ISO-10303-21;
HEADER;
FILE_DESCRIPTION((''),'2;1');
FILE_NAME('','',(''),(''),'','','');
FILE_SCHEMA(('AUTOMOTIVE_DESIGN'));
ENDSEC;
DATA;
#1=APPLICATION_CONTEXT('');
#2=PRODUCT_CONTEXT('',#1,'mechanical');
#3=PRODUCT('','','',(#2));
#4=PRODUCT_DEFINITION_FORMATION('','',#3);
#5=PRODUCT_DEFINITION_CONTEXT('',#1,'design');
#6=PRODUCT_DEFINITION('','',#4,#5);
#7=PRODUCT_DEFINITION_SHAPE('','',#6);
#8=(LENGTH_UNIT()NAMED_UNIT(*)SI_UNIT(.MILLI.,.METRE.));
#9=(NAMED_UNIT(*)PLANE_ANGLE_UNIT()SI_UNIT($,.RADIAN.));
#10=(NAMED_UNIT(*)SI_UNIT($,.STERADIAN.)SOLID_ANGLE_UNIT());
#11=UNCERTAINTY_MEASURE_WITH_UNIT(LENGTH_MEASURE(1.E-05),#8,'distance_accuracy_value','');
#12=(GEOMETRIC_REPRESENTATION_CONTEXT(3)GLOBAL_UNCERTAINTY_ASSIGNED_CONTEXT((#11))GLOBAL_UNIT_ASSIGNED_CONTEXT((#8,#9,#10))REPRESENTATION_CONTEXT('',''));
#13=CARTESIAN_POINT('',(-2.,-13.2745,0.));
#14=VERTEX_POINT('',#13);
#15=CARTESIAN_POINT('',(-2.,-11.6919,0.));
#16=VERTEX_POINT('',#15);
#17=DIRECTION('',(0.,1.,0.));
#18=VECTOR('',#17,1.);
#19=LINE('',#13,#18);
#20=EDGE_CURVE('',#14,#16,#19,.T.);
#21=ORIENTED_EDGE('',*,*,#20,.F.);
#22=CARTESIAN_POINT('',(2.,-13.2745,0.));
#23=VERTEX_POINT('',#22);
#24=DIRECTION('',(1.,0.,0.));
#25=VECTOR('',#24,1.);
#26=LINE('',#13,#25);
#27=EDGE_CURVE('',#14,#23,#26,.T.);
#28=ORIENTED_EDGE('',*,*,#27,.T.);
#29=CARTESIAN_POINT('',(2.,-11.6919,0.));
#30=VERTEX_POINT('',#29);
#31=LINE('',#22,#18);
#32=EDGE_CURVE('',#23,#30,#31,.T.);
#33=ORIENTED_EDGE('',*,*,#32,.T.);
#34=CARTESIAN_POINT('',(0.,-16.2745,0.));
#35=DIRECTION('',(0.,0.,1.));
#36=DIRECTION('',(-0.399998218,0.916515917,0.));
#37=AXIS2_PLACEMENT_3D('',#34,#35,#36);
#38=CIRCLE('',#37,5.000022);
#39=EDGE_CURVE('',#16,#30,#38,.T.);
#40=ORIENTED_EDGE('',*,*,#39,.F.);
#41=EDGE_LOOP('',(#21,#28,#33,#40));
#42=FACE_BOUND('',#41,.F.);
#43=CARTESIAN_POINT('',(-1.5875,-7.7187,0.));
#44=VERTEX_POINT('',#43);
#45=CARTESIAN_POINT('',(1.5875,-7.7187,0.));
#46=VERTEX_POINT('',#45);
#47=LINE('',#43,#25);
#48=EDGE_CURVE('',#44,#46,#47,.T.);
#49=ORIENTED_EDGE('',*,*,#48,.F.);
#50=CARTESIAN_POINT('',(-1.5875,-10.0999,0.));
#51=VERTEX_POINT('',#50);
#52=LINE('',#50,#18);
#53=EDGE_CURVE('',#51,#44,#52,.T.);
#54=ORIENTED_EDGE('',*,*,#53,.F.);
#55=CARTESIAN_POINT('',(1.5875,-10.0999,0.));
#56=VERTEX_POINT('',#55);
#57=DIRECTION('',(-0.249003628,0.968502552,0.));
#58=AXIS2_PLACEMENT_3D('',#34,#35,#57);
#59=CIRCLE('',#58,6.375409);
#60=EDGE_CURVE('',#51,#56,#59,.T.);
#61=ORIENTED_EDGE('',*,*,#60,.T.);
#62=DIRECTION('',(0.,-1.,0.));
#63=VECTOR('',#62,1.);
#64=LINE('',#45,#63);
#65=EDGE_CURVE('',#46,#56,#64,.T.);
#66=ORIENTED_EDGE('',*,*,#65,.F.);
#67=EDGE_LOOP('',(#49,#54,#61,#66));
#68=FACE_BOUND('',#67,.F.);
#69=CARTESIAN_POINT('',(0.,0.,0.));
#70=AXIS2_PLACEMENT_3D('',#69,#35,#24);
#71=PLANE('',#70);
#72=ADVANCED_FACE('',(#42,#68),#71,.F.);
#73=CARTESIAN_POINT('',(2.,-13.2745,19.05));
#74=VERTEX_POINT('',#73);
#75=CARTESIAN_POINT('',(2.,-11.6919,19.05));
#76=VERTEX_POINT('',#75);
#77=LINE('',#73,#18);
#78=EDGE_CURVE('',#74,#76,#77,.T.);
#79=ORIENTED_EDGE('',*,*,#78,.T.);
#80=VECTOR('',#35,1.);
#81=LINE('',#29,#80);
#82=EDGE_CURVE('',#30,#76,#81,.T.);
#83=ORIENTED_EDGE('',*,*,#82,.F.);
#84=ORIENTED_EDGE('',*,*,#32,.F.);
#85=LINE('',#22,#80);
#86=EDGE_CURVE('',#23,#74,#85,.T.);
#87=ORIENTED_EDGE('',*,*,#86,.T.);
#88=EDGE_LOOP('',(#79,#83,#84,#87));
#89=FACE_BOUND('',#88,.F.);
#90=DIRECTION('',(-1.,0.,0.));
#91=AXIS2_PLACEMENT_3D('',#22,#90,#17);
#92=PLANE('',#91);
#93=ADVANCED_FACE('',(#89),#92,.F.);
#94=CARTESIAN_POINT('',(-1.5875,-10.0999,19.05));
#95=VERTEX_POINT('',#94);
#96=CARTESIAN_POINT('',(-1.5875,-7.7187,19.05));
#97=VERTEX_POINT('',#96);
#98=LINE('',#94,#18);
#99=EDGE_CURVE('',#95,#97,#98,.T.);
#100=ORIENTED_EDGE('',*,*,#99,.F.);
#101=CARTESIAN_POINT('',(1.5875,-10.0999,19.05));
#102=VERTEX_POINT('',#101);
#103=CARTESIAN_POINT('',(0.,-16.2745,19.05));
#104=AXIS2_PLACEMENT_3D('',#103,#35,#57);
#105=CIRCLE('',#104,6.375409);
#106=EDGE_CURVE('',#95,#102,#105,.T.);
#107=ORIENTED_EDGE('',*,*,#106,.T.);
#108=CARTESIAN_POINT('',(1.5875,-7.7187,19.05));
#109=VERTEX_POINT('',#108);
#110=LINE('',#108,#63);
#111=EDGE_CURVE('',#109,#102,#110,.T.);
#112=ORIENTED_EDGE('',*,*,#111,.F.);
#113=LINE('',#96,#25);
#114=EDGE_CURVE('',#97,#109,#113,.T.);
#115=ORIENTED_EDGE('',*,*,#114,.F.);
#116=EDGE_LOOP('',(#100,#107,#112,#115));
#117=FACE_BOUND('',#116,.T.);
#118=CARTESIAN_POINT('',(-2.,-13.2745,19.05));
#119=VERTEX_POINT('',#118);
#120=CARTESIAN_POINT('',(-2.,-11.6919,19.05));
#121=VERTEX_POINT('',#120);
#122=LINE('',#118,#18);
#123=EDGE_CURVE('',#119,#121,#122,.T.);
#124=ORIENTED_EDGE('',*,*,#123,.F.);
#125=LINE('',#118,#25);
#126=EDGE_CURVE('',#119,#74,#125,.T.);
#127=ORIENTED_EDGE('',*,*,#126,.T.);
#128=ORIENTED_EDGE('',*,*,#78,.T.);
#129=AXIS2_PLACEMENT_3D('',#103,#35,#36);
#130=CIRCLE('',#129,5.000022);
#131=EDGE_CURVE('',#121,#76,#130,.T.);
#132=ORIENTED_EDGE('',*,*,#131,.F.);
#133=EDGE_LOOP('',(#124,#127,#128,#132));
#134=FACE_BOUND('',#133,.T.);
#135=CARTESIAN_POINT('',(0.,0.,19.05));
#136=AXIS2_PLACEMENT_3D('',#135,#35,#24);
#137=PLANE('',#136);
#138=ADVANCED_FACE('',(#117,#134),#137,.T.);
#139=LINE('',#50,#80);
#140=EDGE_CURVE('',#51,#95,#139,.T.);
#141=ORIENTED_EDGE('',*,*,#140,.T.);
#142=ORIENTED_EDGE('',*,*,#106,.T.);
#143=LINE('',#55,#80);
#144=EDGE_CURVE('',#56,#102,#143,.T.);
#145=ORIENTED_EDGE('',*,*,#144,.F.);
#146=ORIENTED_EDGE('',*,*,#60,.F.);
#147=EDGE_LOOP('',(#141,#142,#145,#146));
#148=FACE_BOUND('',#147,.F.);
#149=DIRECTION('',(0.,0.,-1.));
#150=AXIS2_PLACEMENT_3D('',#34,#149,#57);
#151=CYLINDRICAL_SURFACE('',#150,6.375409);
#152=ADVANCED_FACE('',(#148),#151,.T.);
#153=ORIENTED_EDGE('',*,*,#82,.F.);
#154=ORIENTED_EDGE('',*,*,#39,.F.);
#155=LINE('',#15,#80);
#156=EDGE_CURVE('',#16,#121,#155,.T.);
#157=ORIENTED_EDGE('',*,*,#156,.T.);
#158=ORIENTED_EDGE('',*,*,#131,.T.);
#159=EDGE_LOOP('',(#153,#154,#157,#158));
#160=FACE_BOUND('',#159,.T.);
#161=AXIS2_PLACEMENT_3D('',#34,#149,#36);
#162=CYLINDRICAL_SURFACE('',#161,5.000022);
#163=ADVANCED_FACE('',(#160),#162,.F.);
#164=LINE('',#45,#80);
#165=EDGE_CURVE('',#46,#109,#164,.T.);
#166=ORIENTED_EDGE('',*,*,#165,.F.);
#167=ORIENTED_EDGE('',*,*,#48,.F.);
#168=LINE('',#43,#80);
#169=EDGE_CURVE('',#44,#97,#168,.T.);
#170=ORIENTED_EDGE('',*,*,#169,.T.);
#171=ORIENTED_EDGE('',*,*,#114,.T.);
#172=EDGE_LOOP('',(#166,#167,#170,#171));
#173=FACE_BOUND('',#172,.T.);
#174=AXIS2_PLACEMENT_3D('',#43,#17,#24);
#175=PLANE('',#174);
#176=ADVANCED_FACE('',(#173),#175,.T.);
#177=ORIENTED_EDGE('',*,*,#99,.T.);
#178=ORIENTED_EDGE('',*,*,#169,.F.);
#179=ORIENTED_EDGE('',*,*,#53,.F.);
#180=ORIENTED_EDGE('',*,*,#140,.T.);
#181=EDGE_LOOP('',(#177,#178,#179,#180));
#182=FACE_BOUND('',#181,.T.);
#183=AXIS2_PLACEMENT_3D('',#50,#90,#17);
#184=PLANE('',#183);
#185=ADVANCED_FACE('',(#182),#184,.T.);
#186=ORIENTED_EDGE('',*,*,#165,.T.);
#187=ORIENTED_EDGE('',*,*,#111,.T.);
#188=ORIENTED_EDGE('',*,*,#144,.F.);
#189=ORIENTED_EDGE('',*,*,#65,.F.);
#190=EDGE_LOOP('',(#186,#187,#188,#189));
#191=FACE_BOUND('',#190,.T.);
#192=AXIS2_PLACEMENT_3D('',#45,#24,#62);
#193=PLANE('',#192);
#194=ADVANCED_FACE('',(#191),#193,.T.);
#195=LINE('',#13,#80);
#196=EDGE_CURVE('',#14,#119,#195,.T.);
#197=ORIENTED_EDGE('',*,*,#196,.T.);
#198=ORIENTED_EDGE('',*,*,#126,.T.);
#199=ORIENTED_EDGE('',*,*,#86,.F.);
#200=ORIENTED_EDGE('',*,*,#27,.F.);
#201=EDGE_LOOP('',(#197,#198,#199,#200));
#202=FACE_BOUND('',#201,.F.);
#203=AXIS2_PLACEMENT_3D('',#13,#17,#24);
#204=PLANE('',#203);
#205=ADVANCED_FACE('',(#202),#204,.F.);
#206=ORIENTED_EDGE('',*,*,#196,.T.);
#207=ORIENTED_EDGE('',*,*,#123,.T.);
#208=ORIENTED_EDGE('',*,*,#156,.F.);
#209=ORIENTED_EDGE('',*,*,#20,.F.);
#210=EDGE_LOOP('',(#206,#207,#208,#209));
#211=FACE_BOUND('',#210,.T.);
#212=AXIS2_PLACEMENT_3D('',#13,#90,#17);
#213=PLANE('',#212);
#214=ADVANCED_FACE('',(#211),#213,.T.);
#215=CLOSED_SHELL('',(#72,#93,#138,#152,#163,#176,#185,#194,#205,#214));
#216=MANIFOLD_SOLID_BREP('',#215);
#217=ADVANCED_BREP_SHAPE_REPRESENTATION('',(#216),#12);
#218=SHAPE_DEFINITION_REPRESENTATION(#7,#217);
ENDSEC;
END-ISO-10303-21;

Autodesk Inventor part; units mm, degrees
ref_plane "YZ Plane" through (0, 0, 0) normal (1, 0, 0) x (0, 1, 0)
ref_plane "XZ Plane" through (0, 0, 0) normal (0, 1, 0) x (-1, 0, 0)
ref_plane "XY Plane" through (0, 0, 0) normal (0, 0, 1) x (1, 0, 0)
sketch "Sketch1" plane through (0, 0, 0) normal (0, 0, 1) x (1, 0, 0)
  arc A0 (-1.5875, -10.0999) -> (1.5875, -10.0999) centre (0, -16.2745) ccw
  line L0 (-1.5875, -10.0999) -> (-1.5875, -7.7187)
  line L1 (-1.5875, -7.7187) -> (1.5875, -7.7187)
  line L2 (1.5875, -7.7187) -> (1.5875, -10.0999)
  arc A1 (5.0716, -2.4388) -> (6.1971, -2.905) centre (6.228, -1.2388) ccw
  arc A2 (5.0716, -2.4388) -> (0.6091, -1.5512) centre (0, -16.2745) ccw
  arc A3 (-0.6091, -1.5512) -> (0.6091, -1.5512) centre (0, 0) ccw
  arc A4 (-0.6091, -1.5512) -> (-5.0716, -2.4388) centre (0, -16.2745) ccw
  arc A5 (-6.1971, -2.905) -> (-5.0716, -2.4388) centre (-6.228, -1.2388) ccw
  arc A6 (-6.1971, -2.905) -> (-9.9802, -5.4328) centre (0, -16.2745) ccw
  arc A7 (-10.8417, -6.2943) -> (-9.9802, -5.4328) centre (-11.5078, -4.7667) ccw
  arc A8 (-10.8417, -6.2943) -> (-13.3695, -10.0774) centre (0, -16.2745) ccw
  arc A9 (-13.8357, -11.2029) -> (-13.3695, -10.0774) centre (-15.0357, -10.0465) ccw
  arc A10 (-13.8357, -11.2029) -> (-14.7233, -15.6654) centre (0, -16.2745) ccw
  arc A11 (-14.7233, -16.8837) -> (-14.7233, -15.6654) centre (-16.2745, -16.2745) ccw
  arc A12 (-14.7233, -16.8837) -> (-13.8357, -21.3461) centre (0, -16.2745) ccw
  arc A13 (-13.3695, -22.4717) -> (-13.8357, -21.3461) centre (-15.0357, -22.5025) ccw
  arc A14 (-13.3695, -22.4717) -> (-10.8417, -26.2548) centre (0, -16.2745) ccw
  arc A15 (-9.9802, -27.1162) -> (-10.8417, -26.2548) centre (-11.5078, -27.7823) ccw
  arc A16 (-9.9802, -27.1162) -> (-6.1971, -29.644) centre (0, -16.2745) ccw
  arc A17 (-5.0716, -30.1102) -> (-6.1971, -29.644) centre (-6.228, -31.3102) ccw
  arc A18 (-5.0716, -30.1102) -> (-0.6091, -30.9978) centre (0, -16.2745) ccw
  arc A19 (0.6091, -30.9978) -> (-0.6091, -30.9978) centre (0, -32.549) ccw
  arc A20 (0.6091, -30.9978) -> (5.0716, -30.1102) centre (0, -16.2745) ccw
  arc A21 (6.1971, -29.644) -> (5.0716, -30.1102) centre (6.228, -31.3102) ccw
  arc A22 (6.1971, -29.644) -> (9.9802, -27.1162) centre (0, -16.2745) ccw
  arc A23 (10.8417, -26.2548) -> (9.9802, -27.1162) centre (11.5078, -27.7823) ccw
  arc A24 (10.8417, -26.2548) -> (13.3695, -22.4717) centre (0, -16.2745) ccw
  arc A25 (13.8357, -21.3461) -> (13.3695, -22.4717) centre (15.0357, -22.5025) ccw
  arc A26 (13.8357, -21.3461) -> (14.7233, -16.8837) centre (0, -16.2745) ccw
  arc A27 (14.7233, -15.6654) -> (14.7233, -16.8837) centre (16.2745, -16.2745) ccw
  arc A28 (14.7233, -15.6654) -> (13.8357, -11.2029) centre (0, -16.2745) ccw
  arc A29 (13.3695, -10.0774) -> (13.8357, -11.2029) centre (15.0357, -10.0465) ccw
  arc A30 (13.3695, -10.0774) -> (10.8417, -6.2943) centre (0, -16.2745) ccw
  arc A31 (9.9802, -5.4328) -> (10.8417, -6.2943) centre (11.5078, -4.7667) ccw
  arc A32 (9.9802, -5.4328) -> (6.1971, -2.905) centre (0, -16.2745) ccw
  line L3 (-2, -13.2745) -> (-2, -11.6919)
  arc A33 (-2, -11.6919) -> (2, -11.6919) centre (0, -16.2745) ccw
  line L4 (2, -13.2745) -> (2, -11.6919)
  line L5 (-2, -13.2745) -> (2, -13.2745)
extrude "Extrusion1" add sketch "Sketch1" along normal blind 19.05 contours L0 L1 L2 A0
properties part number "PG71 Adapter" material "Brass, Soft Yellow"
